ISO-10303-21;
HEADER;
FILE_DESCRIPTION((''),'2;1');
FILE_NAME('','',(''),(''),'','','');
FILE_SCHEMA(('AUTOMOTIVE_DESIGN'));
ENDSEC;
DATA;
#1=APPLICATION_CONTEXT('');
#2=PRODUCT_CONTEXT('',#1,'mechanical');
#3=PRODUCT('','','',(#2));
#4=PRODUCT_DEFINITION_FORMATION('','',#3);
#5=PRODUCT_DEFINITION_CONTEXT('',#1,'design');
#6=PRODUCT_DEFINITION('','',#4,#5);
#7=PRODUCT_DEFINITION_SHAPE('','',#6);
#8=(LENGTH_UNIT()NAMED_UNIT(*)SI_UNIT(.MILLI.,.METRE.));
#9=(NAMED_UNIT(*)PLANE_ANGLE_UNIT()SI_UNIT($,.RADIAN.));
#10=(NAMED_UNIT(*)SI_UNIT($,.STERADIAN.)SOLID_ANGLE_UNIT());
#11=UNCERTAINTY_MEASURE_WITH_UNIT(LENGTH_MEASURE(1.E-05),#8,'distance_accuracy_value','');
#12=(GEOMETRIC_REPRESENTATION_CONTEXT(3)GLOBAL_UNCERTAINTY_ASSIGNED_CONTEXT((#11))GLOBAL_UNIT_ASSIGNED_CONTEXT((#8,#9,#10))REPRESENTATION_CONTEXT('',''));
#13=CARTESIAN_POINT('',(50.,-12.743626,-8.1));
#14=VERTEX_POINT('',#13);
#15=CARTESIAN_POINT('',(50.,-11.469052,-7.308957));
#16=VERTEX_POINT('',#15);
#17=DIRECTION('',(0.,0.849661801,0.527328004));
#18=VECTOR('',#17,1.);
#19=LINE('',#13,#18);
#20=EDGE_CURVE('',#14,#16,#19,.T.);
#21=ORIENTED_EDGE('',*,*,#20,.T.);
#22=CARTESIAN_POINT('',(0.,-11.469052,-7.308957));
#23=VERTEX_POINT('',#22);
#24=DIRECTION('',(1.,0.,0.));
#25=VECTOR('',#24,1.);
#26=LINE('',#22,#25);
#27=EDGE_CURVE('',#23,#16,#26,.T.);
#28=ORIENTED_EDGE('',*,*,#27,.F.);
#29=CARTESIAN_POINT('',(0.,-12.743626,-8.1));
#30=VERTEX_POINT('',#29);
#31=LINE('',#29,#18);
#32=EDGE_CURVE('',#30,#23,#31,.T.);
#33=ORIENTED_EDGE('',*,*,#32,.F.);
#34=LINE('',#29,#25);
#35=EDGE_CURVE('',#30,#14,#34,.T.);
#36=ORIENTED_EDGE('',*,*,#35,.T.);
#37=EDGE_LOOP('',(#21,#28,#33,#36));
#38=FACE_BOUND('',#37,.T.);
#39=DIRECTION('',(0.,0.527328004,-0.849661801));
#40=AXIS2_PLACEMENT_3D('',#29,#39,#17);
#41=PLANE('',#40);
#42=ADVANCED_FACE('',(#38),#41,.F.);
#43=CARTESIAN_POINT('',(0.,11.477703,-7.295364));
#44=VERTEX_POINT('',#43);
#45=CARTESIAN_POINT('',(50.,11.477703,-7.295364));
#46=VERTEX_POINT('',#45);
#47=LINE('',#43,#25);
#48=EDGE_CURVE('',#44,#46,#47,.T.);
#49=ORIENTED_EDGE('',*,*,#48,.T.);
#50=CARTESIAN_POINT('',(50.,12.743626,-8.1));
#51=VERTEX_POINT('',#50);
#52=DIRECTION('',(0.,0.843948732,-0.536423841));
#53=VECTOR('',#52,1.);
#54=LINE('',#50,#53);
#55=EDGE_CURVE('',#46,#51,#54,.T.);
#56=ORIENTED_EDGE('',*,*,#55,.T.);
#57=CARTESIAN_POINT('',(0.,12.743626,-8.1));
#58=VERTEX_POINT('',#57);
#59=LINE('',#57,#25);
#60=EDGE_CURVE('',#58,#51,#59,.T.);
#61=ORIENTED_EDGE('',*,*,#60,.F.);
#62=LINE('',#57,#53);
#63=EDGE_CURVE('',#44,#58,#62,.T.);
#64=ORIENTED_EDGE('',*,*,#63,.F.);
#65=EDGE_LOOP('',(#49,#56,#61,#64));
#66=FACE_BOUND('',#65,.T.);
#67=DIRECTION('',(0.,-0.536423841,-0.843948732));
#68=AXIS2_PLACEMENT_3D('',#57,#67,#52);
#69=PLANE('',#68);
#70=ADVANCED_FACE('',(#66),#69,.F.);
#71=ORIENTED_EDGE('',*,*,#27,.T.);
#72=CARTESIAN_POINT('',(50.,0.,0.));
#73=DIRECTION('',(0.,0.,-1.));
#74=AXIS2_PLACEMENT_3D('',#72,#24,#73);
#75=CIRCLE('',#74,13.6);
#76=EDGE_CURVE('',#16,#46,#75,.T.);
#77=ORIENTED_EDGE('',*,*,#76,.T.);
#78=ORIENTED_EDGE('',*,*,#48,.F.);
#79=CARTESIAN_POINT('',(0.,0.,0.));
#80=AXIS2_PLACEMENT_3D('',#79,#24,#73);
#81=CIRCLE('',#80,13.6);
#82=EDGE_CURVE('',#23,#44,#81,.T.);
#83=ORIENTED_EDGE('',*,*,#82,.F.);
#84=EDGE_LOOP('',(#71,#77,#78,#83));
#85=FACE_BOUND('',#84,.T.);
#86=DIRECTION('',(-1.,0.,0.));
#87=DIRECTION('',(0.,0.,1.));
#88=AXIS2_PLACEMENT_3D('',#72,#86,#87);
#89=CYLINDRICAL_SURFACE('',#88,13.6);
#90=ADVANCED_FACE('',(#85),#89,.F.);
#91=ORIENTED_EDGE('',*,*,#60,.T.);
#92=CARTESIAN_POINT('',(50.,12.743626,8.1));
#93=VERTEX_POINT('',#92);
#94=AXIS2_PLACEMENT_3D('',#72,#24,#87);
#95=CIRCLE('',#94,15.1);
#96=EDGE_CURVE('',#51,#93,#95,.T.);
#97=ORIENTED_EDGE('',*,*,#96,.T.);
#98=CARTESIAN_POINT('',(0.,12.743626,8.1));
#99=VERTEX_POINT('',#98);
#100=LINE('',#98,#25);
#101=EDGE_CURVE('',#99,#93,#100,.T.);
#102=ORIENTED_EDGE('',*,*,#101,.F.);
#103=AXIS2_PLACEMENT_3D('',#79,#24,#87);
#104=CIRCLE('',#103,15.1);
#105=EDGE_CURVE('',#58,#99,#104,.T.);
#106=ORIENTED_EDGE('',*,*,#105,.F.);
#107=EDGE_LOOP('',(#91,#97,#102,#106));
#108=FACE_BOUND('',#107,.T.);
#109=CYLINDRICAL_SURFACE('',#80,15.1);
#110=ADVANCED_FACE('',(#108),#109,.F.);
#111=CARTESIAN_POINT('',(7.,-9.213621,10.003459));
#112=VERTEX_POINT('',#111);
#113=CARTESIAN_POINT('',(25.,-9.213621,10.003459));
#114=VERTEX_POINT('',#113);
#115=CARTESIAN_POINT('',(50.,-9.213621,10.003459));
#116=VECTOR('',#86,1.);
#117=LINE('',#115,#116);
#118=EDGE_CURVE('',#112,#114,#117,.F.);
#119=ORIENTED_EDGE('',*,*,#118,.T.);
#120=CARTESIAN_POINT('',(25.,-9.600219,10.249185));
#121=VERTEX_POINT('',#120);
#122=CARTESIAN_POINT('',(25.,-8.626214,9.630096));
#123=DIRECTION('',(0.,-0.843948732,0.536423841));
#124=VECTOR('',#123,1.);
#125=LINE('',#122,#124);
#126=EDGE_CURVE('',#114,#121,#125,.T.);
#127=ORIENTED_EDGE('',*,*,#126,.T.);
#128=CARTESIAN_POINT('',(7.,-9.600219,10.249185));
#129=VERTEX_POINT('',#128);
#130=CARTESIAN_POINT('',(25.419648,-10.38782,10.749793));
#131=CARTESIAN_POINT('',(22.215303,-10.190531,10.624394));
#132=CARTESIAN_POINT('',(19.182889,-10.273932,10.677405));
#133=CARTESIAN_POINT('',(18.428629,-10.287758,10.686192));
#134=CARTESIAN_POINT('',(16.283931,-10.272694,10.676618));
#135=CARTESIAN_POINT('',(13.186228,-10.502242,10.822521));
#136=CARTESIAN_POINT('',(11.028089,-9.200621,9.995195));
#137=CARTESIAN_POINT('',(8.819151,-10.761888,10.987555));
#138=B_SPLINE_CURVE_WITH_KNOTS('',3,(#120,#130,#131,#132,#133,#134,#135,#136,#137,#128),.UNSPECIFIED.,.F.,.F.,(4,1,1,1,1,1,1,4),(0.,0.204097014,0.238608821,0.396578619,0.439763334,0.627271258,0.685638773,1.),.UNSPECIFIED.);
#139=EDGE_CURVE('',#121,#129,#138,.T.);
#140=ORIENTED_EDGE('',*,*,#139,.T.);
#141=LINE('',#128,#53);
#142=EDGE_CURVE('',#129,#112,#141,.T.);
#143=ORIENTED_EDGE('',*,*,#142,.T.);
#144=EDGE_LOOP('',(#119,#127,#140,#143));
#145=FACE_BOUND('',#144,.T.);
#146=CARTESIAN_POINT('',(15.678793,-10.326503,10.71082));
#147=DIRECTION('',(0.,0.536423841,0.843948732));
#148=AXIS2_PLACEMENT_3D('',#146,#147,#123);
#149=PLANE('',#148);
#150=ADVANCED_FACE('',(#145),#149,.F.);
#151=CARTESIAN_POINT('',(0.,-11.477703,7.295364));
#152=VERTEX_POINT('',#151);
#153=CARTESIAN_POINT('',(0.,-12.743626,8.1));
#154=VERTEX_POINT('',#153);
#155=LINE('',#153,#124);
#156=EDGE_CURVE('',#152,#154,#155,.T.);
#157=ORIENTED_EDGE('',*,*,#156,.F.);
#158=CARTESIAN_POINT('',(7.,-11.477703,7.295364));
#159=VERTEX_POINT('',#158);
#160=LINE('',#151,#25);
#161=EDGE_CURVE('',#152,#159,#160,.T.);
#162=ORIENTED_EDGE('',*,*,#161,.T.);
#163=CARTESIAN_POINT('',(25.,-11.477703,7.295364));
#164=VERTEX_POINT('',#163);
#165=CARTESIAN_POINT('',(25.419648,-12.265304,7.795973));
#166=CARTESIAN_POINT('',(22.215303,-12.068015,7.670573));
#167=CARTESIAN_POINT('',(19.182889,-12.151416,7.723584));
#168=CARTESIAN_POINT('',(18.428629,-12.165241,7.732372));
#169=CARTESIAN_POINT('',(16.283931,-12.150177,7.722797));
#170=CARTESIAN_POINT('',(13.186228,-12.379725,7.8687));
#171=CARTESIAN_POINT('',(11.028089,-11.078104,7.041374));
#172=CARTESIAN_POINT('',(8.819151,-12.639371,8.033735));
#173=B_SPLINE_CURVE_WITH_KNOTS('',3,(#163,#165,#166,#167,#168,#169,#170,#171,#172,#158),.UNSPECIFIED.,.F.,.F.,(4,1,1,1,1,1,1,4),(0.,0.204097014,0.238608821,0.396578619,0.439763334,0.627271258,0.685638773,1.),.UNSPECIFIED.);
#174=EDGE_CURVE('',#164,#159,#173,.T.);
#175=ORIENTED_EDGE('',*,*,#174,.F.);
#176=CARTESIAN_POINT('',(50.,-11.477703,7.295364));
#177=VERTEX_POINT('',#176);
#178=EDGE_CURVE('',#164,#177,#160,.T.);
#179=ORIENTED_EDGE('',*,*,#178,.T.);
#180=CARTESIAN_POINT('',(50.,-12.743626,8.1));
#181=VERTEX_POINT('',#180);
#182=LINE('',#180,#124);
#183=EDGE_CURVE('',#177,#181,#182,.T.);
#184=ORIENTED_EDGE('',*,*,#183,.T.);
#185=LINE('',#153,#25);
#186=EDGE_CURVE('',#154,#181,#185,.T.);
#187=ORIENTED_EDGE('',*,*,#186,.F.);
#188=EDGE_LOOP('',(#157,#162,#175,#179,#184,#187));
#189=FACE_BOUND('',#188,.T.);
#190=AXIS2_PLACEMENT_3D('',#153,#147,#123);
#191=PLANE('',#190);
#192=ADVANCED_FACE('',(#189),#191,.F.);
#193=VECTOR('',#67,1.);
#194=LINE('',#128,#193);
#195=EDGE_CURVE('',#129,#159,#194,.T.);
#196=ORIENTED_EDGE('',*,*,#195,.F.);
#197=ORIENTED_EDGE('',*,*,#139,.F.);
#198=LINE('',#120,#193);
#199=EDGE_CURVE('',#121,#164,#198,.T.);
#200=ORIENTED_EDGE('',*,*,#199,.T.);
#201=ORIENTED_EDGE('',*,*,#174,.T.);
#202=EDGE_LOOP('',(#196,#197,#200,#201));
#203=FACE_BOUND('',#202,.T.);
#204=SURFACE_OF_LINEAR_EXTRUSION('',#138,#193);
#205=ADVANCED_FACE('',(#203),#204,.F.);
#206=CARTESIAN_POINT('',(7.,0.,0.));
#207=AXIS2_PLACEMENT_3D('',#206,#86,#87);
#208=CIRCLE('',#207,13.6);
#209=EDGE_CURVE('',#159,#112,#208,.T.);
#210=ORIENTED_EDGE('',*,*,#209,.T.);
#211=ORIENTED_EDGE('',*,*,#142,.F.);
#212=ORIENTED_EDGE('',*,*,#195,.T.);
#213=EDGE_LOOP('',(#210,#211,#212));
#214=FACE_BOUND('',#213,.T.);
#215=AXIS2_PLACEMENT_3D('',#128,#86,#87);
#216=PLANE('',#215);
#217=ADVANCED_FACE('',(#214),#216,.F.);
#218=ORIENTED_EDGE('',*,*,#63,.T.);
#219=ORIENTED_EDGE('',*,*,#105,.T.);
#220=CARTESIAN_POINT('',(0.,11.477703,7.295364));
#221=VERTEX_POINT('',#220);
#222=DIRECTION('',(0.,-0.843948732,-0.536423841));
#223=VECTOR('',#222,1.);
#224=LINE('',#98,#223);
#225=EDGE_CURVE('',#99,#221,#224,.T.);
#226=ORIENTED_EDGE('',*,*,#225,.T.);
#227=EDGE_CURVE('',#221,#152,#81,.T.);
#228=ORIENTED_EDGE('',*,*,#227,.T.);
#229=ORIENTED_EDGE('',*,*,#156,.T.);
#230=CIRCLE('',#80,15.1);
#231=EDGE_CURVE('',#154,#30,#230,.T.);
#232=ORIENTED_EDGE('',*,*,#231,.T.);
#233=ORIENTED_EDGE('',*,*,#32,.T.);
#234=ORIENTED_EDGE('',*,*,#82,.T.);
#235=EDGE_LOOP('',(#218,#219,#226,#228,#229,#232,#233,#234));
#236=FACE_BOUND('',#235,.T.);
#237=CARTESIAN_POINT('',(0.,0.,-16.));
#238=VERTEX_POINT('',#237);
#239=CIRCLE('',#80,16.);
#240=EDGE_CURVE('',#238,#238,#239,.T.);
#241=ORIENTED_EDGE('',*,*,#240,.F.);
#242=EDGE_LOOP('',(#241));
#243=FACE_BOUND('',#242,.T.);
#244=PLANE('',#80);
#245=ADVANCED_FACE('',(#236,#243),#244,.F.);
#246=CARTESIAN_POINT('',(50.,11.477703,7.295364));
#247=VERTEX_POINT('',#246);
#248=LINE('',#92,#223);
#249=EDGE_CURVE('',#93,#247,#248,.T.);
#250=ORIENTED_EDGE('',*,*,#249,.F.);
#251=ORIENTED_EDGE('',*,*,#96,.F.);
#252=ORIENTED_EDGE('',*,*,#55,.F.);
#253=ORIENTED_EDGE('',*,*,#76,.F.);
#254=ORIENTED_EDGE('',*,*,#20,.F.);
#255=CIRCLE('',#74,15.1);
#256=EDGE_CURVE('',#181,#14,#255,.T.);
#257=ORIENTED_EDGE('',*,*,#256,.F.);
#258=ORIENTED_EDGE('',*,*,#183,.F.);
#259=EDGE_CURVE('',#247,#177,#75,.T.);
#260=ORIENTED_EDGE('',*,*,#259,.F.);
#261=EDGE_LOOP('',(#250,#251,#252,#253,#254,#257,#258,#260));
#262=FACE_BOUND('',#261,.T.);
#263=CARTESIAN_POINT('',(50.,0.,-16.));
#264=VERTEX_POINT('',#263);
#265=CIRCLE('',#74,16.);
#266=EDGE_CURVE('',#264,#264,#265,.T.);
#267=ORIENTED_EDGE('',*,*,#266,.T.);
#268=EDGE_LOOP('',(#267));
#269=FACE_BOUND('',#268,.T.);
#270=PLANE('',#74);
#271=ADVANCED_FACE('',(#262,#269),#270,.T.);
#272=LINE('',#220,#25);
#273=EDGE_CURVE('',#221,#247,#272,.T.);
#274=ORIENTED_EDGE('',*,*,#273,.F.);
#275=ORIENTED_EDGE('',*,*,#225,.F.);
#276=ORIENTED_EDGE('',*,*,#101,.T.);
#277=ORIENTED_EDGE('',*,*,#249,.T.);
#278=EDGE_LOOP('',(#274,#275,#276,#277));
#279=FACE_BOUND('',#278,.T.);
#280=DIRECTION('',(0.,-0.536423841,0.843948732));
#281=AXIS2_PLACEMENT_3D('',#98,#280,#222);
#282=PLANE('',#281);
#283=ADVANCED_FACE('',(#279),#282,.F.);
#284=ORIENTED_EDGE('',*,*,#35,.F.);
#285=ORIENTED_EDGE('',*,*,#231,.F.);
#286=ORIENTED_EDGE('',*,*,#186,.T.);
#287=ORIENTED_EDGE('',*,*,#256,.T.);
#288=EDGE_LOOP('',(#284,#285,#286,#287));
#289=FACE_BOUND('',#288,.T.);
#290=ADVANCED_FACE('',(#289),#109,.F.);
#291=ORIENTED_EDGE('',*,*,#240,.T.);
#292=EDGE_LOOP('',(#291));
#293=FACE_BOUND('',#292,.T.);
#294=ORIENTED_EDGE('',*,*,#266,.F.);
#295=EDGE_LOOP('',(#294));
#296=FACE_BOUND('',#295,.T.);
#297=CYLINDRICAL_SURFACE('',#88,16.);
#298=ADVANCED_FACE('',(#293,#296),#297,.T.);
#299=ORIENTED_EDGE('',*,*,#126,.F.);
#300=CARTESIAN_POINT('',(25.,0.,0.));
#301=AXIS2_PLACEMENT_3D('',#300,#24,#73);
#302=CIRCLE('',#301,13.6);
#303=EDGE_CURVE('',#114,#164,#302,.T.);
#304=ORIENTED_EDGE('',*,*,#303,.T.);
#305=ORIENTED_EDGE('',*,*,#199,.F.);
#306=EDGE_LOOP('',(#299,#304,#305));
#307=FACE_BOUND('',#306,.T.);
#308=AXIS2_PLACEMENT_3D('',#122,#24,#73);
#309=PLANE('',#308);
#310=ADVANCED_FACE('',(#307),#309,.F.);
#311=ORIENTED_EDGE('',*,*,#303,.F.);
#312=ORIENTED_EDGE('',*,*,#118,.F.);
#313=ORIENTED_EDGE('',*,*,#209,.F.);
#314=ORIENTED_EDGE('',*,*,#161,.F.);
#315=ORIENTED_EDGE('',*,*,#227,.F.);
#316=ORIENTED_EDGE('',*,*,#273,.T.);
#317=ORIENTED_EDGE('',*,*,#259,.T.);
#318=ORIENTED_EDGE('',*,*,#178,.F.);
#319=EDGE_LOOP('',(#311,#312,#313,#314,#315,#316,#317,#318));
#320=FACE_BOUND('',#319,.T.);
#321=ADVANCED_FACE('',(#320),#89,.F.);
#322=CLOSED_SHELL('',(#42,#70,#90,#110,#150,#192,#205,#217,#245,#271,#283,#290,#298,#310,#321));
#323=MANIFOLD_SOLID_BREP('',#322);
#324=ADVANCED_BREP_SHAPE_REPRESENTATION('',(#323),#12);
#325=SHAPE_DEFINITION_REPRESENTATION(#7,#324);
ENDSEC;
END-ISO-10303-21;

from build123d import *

# Parameters (mm, degrees)
SKETCH1_R           = 16
SKETCH1_R_2         = 13.6
BOSS_EXTRUDE1_DEPTH = 50
CUT_EXTRUDE1_DEPTH  = 55.881690936
CUT_EXTRUDE2_DEPTH  = 3.5


with BuildPart() as part:
    # Sketch1 → Boss-Extrude1 (new body)
    with BuildSketch(Plane(origin=(0, 0, 0), x_dir=(0, 0, -1), z_dir=(1, 0, 0))):
        Circle(SKETCH1_R)
        Circle(SKETCH1_R_2, mode=Mode.SUBTRACT)
    extrude(amount=BOSS_EXTRUDE1_DEPTH)

    # Sketch2 → Cut-Extrude1 (cut, through all)
    with BuildSketch(Plane(origin=(50, 0, 0), x_dir=(0, 0, -1), z_dir=(1, 0, 0))):
        with BuildLine():
            Line((-8.1, 12.743625858), (-7.295364238, 11.477702759))
            ThreePointArc((-7.295364238, 11.477702759), (0, 13.6), (7.295364238, 11.477702759))
            Line((7.295364238, 11.477702759), (8.1, 12.743625858))
            ThreePointArc((8.1, 12.743625858), (0, 15.1), (-8.1, 12.743625858))
        make_face()
        with BuildLine():
            Line((-8.1, -12.743625858), (-7.295364238, -11.477702759))
            ThreePointArc((-7.295364238, -11.477702759), (0.008056302, -13.599997614), (7.308957327, -11.469051521))
            Line((7.308957327, -11.469051521), (8.1, -12.743625858))
            ThreePointArc((8.1, -12.743625858), (0, -15.1), (-8.1, -12.743625858))
        make_face()
    extrude(amount=-CUT_EXTRUDE1_DEPTH, mode=Mode.SUBTRACT)

    # Sketch3 → Cut-Extrude2 (cut)
    with BuildSketch(Plane(origin=(0, 0, 0), x_dir=(-1, 0, 0), z_dir=(0, -0.5364238410596023, -0.8439487322953112))):
        with BuildLine():
            Line((-7, -13.6), (-7, -12.445895529))
            Line((-7, -12.445895529), (-25, -12.445895529))
            Line((-25, -12.445895529), (-25, -13.6))
            add(Edge.make_bspline(
                [(-25, -13.6), (-25.419648133, -14.53323317), (-22.215303237, -14.299464122), (-19.182889181, -14.398286796), (-18.428629005, -14.414668585), (-16.283931227, -14.396819072), (-13.186228061, -14.668811806), (-11.028088937, -13.12651294), (-8.819150609, -14.976468108), (-7, -13.6)],
                knots=[0, 0, 0, 0, 0.204097014, 0.238608821, 0.396578619, 0.439763334, 0.627271258, 0.685638773, 1, 1, 1, 1], degree=3))
        make_face()
    extrude(amount=-CUT_EXTRUDE2_DEPTH, mode=Mode.SUBTRACT)


solid = part.part
